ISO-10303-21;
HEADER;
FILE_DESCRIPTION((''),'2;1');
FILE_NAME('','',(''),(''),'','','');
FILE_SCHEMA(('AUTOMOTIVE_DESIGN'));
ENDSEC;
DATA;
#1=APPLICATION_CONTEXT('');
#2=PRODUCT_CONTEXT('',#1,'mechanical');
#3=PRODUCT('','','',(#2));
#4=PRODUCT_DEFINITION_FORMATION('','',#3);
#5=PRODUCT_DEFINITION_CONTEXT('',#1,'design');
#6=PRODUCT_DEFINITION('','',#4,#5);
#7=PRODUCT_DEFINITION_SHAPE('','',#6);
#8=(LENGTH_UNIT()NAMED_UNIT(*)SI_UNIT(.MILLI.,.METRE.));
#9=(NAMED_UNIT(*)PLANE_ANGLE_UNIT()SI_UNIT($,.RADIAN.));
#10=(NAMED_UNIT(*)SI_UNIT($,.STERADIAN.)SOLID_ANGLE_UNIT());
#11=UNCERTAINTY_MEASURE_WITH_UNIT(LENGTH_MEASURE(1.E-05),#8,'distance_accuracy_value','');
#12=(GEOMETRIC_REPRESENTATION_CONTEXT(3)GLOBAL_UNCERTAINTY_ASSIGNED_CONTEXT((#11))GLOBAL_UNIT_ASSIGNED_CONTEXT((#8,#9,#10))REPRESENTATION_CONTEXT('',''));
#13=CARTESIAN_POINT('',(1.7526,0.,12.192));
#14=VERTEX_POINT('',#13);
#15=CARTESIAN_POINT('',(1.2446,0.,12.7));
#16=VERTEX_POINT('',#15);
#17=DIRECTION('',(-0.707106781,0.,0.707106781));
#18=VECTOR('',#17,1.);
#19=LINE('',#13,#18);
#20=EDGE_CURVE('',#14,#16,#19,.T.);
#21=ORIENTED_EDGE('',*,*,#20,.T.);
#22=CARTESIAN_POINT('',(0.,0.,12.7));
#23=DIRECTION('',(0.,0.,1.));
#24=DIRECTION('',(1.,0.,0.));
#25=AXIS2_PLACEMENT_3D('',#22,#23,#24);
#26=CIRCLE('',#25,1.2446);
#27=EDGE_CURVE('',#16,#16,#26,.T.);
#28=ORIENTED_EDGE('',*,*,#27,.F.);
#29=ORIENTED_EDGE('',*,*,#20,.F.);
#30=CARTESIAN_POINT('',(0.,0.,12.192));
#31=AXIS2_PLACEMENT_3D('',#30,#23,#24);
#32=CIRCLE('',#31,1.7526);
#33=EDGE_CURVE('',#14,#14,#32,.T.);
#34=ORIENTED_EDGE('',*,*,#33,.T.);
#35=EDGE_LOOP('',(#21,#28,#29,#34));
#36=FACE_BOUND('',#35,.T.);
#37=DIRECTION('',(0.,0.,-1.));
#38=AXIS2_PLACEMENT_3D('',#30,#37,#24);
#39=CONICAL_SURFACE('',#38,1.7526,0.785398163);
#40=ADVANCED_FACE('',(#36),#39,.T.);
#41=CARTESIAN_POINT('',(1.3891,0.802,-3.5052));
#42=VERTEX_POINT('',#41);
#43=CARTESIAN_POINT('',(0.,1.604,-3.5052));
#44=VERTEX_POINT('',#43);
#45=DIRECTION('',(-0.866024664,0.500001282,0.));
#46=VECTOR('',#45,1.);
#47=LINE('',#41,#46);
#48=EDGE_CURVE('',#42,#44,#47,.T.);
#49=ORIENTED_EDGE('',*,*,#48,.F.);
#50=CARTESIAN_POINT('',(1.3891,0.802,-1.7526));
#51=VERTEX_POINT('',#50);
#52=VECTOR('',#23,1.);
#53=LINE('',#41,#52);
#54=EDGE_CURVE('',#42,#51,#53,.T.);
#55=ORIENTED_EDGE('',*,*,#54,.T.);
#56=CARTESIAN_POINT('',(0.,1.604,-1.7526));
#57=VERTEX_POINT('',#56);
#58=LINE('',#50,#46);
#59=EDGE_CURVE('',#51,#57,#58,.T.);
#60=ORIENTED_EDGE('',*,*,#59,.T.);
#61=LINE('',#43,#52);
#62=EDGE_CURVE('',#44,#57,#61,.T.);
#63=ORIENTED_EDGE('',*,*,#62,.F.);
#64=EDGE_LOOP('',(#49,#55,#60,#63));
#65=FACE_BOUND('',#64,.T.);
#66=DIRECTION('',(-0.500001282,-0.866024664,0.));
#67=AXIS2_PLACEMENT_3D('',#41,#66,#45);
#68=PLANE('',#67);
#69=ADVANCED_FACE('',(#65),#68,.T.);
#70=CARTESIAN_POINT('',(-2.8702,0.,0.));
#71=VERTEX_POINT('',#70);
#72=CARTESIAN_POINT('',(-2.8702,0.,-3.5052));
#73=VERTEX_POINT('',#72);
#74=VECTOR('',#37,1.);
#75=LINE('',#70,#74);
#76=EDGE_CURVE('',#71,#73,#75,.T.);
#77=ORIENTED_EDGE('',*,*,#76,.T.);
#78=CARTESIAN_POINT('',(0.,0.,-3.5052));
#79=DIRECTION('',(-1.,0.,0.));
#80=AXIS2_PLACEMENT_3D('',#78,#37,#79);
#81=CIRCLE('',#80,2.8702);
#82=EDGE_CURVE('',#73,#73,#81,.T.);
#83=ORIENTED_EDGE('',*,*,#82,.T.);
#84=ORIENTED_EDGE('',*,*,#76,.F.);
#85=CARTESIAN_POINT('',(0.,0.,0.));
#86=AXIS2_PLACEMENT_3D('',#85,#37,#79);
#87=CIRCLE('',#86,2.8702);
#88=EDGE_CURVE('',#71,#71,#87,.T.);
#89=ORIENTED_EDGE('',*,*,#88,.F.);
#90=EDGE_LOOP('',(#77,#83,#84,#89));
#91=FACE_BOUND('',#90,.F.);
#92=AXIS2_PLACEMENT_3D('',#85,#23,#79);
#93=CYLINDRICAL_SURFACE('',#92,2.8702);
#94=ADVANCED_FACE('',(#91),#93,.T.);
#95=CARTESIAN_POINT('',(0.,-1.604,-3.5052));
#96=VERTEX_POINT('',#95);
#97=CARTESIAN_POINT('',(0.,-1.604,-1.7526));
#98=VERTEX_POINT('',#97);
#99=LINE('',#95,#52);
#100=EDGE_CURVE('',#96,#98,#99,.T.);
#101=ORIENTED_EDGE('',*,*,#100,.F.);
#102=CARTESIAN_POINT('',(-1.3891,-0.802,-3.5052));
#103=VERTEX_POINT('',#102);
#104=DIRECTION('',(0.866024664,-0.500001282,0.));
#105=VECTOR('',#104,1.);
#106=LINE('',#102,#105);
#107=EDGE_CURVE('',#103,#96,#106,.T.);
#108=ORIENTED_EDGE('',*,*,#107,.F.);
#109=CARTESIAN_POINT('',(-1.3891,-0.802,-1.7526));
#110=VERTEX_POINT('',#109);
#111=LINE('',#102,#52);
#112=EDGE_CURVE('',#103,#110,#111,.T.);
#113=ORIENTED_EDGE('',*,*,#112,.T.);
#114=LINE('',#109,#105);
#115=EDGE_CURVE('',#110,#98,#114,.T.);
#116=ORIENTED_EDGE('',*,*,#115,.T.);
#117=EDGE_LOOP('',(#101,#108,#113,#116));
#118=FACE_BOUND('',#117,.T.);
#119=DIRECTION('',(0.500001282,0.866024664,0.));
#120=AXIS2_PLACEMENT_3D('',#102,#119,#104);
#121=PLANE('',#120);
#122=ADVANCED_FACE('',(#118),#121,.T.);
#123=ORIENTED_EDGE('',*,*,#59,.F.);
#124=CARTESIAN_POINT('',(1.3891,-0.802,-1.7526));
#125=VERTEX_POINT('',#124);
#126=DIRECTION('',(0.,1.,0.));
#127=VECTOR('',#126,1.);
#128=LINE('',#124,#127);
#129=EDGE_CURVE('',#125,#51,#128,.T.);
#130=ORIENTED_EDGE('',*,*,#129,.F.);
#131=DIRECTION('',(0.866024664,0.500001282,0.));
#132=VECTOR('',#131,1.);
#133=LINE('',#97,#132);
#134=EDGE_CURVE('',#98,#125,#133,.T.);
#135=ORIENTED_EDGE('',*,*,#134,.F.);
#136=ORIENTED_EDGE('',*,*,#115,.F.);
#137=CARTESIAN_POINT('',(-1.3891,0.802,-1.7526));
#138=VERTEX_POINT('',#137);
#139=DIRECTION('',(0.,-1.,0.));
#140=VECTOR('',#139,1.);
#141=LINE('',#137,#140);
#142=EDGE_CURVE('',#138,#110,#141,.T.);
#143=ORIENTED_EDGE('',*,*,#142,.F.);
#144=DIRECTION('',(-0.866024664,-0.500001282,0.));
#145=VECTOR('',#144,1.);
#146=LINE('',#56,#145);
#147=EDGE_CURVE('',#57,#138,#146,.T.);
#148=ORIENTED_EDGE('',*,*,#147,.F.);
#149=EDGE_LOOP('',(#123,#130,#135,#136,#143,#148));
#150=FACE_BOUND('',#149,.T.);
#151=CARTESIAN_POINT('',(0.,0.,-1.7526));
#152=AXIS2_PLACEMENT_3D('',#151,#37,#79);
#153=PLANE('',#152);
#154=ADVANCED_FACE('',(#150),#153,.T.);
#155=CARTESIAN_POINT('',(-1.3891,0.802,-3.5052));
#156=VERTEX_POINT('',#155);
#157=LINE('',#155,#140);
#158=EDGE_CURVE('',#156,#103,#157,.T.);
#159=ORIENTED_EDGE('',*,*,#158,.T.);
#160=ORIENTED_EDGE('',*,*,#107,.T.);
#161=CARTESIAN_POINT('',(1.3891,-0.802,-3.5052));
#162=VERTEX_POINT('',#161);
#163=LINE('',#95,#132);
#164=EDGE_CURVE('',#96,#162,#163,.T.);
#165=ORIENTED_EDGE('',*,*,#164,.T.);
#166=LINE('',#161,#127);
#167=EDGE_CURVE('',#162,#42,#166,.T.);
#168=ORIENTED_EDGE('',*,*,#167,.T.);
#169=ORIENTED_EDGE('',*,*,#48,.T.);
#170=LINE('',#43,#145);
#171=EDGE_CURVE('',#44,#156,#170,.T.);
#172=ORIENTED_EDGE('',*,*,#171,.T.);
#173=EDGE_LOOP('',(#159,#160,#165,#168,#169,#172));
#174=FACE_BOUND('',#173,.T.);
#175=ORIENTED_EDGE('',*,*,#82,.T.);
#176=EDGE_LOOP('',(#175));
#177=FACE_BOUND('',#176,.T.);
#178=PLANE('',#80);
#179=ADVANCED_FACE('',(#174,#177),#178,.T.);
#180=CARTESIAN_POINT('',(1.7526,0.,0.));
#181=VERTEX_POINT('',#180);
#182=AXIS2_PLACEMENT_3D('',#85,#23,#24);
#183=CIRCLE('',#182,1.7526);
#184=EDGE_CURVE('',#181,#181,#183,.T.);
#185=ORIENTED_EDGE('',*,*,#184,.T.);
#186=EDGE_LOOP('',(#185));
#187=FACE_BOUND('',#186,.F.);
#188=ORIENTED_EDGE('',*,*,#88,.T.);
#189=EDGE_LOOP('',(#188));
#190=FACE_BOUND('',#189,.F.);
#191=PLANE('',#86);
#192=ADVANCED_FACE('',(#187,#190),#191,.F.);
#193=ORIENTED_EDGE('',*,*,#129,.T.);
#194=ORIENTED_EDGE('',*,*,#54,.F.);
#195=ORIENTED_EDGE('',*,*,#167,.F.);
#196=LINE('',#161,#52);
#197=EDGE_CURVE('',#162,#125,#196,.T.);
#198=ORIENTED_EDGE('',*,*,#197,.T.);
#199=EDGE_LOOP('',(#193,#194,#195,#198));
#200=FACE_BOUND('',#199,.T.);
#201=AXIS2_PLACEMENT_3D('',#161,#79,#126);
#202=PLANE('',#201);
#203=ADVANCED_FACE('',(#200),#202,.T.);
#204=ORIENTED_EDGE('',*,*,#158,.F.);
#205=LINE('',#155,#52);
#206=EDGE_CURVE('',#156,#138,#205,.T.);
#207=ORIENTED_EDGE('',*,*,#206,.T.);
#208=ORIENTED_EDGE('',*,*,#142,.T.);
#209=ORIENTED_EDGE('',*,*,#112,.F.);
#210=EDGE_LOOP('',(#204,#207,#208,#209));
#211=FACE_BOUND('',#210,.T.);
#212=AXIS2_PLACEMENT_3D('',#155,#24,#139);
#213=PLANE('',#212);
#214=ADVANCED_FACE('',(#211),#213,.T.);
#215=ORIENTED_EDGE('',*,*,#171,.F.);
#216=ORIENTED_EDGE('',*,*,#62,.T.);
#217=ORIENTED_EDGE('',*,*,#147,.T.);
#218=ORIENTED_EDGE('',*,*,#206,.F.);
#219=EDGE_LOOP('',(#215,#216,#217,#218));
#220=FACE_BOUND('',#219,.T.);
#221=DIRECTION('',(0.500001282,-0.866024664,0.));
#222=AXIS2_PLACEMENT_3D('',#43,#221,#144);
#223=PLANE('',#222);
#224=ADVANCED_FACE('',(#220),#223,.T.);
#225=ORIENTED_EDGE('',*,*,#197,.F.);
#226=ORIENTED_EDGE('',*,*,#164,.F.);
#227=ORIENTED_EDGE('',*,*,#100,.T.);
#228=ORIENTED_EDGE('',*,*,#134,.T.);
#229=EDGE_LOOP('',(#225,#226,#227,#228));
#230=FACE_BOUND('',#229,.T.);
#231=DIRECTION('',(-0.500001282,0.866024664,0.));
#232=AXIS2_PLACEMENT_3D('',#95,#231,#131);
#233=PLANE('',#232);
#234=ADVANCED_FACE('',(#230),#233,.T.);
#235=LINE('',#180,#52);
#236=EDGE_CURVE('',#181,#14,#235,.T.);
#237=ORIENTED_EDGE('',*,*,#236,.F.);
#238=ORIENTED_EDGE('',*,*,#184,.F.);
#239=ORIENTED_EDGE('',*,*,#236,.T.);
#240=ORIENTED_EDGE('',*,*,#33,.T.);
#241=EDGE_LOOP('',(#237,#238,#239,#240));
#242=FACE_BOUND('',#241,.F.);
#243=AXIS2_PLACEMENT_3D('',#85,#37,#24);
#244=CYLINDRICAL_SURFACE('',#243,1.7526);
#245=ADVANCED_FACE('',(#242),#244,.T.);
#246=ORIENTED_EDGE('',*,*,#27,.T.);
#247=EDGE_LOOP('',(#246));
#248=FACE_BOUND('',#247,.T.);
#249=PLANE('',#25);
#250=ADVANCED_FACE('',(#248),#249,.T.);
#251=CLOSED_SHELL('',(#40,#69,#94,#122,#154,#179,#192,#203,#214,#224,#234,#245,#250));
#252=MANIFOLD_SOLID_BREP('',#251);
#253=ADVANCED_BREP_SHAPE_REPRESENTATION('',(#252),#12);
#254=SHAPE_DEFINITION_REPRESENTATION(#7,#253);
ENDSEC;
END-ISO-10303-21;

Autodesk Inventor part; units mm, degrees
ref_plane "YZ Plane" through (0, 0, 0) normal (1, 0, 0) x (0, 1, 0)
ref_plane "XZ Plane" through (0, 0, 0) normal (0, 1, 0) x (-1, 0, 0)
ref_plane "XY Plane" through (0, 0, 0) normal (0, 0, 1) x (1, 0, 0)
sketch "Sketch1" plane through (0, 0, 0) normal (0, 0, 1) x (1, 0, 0)
  circle A0 centre (0, 0) radius 1.7526
  dimension "d0" = 3.5052
extrude "Extrusion1" add sketch "Sketch1" along normal blind 12.7
sketch "Sketch2" plane through (0, 0, 0) normal (0, 0, -1) x (-1, 0, 0)
  circle A0 centre (0, 0) radius 1.7526 construction
  circle A1 centre (0, 0) radius 2.8702
  dimension "d3" = 5.7404
extrude "Extrusion2" add sketch "Sketch2" along normal blind 3.5052
sketch "Sketch3" plane through (0, 0, -3.5052) normal (0, 0, -1) x (-1, 0, 0)
  circle A0 centre (0, 0) radius 2.8702 projected
  line L0 (0, 1.604) -> (1.3891, 0.802)
  line L1 (1.3891, 0.802) -> (1.3891, -0.802)
  line L2 (1.3891, -0.802) -> (0, -1.604)
  line L3 (0, -1.604) -> (-1.3891, -0.802)
  line L4 (-1.3891, -0.802) -> (-1.3891, 0.802)
  line L5 (-1.3891, 0.802) -> (0, 1.604)
  dimension "d6" = 2.7781
extrude "Extrusion3" cut sketch "Sketch3" against normal blind 1.7526 contours L0 L1 L2 L3 L4 L5
thread "Thread1" size "6-32 UNC" class "2A" standard "ANSI Unified Screw Threads" full length
chamfer "Chamfer1" distance 0.508 angle 45 1 edges at (-1.7526, 0, 12.7)
properties part number "6-32 SHCS x500" material "Stainless Steel"
